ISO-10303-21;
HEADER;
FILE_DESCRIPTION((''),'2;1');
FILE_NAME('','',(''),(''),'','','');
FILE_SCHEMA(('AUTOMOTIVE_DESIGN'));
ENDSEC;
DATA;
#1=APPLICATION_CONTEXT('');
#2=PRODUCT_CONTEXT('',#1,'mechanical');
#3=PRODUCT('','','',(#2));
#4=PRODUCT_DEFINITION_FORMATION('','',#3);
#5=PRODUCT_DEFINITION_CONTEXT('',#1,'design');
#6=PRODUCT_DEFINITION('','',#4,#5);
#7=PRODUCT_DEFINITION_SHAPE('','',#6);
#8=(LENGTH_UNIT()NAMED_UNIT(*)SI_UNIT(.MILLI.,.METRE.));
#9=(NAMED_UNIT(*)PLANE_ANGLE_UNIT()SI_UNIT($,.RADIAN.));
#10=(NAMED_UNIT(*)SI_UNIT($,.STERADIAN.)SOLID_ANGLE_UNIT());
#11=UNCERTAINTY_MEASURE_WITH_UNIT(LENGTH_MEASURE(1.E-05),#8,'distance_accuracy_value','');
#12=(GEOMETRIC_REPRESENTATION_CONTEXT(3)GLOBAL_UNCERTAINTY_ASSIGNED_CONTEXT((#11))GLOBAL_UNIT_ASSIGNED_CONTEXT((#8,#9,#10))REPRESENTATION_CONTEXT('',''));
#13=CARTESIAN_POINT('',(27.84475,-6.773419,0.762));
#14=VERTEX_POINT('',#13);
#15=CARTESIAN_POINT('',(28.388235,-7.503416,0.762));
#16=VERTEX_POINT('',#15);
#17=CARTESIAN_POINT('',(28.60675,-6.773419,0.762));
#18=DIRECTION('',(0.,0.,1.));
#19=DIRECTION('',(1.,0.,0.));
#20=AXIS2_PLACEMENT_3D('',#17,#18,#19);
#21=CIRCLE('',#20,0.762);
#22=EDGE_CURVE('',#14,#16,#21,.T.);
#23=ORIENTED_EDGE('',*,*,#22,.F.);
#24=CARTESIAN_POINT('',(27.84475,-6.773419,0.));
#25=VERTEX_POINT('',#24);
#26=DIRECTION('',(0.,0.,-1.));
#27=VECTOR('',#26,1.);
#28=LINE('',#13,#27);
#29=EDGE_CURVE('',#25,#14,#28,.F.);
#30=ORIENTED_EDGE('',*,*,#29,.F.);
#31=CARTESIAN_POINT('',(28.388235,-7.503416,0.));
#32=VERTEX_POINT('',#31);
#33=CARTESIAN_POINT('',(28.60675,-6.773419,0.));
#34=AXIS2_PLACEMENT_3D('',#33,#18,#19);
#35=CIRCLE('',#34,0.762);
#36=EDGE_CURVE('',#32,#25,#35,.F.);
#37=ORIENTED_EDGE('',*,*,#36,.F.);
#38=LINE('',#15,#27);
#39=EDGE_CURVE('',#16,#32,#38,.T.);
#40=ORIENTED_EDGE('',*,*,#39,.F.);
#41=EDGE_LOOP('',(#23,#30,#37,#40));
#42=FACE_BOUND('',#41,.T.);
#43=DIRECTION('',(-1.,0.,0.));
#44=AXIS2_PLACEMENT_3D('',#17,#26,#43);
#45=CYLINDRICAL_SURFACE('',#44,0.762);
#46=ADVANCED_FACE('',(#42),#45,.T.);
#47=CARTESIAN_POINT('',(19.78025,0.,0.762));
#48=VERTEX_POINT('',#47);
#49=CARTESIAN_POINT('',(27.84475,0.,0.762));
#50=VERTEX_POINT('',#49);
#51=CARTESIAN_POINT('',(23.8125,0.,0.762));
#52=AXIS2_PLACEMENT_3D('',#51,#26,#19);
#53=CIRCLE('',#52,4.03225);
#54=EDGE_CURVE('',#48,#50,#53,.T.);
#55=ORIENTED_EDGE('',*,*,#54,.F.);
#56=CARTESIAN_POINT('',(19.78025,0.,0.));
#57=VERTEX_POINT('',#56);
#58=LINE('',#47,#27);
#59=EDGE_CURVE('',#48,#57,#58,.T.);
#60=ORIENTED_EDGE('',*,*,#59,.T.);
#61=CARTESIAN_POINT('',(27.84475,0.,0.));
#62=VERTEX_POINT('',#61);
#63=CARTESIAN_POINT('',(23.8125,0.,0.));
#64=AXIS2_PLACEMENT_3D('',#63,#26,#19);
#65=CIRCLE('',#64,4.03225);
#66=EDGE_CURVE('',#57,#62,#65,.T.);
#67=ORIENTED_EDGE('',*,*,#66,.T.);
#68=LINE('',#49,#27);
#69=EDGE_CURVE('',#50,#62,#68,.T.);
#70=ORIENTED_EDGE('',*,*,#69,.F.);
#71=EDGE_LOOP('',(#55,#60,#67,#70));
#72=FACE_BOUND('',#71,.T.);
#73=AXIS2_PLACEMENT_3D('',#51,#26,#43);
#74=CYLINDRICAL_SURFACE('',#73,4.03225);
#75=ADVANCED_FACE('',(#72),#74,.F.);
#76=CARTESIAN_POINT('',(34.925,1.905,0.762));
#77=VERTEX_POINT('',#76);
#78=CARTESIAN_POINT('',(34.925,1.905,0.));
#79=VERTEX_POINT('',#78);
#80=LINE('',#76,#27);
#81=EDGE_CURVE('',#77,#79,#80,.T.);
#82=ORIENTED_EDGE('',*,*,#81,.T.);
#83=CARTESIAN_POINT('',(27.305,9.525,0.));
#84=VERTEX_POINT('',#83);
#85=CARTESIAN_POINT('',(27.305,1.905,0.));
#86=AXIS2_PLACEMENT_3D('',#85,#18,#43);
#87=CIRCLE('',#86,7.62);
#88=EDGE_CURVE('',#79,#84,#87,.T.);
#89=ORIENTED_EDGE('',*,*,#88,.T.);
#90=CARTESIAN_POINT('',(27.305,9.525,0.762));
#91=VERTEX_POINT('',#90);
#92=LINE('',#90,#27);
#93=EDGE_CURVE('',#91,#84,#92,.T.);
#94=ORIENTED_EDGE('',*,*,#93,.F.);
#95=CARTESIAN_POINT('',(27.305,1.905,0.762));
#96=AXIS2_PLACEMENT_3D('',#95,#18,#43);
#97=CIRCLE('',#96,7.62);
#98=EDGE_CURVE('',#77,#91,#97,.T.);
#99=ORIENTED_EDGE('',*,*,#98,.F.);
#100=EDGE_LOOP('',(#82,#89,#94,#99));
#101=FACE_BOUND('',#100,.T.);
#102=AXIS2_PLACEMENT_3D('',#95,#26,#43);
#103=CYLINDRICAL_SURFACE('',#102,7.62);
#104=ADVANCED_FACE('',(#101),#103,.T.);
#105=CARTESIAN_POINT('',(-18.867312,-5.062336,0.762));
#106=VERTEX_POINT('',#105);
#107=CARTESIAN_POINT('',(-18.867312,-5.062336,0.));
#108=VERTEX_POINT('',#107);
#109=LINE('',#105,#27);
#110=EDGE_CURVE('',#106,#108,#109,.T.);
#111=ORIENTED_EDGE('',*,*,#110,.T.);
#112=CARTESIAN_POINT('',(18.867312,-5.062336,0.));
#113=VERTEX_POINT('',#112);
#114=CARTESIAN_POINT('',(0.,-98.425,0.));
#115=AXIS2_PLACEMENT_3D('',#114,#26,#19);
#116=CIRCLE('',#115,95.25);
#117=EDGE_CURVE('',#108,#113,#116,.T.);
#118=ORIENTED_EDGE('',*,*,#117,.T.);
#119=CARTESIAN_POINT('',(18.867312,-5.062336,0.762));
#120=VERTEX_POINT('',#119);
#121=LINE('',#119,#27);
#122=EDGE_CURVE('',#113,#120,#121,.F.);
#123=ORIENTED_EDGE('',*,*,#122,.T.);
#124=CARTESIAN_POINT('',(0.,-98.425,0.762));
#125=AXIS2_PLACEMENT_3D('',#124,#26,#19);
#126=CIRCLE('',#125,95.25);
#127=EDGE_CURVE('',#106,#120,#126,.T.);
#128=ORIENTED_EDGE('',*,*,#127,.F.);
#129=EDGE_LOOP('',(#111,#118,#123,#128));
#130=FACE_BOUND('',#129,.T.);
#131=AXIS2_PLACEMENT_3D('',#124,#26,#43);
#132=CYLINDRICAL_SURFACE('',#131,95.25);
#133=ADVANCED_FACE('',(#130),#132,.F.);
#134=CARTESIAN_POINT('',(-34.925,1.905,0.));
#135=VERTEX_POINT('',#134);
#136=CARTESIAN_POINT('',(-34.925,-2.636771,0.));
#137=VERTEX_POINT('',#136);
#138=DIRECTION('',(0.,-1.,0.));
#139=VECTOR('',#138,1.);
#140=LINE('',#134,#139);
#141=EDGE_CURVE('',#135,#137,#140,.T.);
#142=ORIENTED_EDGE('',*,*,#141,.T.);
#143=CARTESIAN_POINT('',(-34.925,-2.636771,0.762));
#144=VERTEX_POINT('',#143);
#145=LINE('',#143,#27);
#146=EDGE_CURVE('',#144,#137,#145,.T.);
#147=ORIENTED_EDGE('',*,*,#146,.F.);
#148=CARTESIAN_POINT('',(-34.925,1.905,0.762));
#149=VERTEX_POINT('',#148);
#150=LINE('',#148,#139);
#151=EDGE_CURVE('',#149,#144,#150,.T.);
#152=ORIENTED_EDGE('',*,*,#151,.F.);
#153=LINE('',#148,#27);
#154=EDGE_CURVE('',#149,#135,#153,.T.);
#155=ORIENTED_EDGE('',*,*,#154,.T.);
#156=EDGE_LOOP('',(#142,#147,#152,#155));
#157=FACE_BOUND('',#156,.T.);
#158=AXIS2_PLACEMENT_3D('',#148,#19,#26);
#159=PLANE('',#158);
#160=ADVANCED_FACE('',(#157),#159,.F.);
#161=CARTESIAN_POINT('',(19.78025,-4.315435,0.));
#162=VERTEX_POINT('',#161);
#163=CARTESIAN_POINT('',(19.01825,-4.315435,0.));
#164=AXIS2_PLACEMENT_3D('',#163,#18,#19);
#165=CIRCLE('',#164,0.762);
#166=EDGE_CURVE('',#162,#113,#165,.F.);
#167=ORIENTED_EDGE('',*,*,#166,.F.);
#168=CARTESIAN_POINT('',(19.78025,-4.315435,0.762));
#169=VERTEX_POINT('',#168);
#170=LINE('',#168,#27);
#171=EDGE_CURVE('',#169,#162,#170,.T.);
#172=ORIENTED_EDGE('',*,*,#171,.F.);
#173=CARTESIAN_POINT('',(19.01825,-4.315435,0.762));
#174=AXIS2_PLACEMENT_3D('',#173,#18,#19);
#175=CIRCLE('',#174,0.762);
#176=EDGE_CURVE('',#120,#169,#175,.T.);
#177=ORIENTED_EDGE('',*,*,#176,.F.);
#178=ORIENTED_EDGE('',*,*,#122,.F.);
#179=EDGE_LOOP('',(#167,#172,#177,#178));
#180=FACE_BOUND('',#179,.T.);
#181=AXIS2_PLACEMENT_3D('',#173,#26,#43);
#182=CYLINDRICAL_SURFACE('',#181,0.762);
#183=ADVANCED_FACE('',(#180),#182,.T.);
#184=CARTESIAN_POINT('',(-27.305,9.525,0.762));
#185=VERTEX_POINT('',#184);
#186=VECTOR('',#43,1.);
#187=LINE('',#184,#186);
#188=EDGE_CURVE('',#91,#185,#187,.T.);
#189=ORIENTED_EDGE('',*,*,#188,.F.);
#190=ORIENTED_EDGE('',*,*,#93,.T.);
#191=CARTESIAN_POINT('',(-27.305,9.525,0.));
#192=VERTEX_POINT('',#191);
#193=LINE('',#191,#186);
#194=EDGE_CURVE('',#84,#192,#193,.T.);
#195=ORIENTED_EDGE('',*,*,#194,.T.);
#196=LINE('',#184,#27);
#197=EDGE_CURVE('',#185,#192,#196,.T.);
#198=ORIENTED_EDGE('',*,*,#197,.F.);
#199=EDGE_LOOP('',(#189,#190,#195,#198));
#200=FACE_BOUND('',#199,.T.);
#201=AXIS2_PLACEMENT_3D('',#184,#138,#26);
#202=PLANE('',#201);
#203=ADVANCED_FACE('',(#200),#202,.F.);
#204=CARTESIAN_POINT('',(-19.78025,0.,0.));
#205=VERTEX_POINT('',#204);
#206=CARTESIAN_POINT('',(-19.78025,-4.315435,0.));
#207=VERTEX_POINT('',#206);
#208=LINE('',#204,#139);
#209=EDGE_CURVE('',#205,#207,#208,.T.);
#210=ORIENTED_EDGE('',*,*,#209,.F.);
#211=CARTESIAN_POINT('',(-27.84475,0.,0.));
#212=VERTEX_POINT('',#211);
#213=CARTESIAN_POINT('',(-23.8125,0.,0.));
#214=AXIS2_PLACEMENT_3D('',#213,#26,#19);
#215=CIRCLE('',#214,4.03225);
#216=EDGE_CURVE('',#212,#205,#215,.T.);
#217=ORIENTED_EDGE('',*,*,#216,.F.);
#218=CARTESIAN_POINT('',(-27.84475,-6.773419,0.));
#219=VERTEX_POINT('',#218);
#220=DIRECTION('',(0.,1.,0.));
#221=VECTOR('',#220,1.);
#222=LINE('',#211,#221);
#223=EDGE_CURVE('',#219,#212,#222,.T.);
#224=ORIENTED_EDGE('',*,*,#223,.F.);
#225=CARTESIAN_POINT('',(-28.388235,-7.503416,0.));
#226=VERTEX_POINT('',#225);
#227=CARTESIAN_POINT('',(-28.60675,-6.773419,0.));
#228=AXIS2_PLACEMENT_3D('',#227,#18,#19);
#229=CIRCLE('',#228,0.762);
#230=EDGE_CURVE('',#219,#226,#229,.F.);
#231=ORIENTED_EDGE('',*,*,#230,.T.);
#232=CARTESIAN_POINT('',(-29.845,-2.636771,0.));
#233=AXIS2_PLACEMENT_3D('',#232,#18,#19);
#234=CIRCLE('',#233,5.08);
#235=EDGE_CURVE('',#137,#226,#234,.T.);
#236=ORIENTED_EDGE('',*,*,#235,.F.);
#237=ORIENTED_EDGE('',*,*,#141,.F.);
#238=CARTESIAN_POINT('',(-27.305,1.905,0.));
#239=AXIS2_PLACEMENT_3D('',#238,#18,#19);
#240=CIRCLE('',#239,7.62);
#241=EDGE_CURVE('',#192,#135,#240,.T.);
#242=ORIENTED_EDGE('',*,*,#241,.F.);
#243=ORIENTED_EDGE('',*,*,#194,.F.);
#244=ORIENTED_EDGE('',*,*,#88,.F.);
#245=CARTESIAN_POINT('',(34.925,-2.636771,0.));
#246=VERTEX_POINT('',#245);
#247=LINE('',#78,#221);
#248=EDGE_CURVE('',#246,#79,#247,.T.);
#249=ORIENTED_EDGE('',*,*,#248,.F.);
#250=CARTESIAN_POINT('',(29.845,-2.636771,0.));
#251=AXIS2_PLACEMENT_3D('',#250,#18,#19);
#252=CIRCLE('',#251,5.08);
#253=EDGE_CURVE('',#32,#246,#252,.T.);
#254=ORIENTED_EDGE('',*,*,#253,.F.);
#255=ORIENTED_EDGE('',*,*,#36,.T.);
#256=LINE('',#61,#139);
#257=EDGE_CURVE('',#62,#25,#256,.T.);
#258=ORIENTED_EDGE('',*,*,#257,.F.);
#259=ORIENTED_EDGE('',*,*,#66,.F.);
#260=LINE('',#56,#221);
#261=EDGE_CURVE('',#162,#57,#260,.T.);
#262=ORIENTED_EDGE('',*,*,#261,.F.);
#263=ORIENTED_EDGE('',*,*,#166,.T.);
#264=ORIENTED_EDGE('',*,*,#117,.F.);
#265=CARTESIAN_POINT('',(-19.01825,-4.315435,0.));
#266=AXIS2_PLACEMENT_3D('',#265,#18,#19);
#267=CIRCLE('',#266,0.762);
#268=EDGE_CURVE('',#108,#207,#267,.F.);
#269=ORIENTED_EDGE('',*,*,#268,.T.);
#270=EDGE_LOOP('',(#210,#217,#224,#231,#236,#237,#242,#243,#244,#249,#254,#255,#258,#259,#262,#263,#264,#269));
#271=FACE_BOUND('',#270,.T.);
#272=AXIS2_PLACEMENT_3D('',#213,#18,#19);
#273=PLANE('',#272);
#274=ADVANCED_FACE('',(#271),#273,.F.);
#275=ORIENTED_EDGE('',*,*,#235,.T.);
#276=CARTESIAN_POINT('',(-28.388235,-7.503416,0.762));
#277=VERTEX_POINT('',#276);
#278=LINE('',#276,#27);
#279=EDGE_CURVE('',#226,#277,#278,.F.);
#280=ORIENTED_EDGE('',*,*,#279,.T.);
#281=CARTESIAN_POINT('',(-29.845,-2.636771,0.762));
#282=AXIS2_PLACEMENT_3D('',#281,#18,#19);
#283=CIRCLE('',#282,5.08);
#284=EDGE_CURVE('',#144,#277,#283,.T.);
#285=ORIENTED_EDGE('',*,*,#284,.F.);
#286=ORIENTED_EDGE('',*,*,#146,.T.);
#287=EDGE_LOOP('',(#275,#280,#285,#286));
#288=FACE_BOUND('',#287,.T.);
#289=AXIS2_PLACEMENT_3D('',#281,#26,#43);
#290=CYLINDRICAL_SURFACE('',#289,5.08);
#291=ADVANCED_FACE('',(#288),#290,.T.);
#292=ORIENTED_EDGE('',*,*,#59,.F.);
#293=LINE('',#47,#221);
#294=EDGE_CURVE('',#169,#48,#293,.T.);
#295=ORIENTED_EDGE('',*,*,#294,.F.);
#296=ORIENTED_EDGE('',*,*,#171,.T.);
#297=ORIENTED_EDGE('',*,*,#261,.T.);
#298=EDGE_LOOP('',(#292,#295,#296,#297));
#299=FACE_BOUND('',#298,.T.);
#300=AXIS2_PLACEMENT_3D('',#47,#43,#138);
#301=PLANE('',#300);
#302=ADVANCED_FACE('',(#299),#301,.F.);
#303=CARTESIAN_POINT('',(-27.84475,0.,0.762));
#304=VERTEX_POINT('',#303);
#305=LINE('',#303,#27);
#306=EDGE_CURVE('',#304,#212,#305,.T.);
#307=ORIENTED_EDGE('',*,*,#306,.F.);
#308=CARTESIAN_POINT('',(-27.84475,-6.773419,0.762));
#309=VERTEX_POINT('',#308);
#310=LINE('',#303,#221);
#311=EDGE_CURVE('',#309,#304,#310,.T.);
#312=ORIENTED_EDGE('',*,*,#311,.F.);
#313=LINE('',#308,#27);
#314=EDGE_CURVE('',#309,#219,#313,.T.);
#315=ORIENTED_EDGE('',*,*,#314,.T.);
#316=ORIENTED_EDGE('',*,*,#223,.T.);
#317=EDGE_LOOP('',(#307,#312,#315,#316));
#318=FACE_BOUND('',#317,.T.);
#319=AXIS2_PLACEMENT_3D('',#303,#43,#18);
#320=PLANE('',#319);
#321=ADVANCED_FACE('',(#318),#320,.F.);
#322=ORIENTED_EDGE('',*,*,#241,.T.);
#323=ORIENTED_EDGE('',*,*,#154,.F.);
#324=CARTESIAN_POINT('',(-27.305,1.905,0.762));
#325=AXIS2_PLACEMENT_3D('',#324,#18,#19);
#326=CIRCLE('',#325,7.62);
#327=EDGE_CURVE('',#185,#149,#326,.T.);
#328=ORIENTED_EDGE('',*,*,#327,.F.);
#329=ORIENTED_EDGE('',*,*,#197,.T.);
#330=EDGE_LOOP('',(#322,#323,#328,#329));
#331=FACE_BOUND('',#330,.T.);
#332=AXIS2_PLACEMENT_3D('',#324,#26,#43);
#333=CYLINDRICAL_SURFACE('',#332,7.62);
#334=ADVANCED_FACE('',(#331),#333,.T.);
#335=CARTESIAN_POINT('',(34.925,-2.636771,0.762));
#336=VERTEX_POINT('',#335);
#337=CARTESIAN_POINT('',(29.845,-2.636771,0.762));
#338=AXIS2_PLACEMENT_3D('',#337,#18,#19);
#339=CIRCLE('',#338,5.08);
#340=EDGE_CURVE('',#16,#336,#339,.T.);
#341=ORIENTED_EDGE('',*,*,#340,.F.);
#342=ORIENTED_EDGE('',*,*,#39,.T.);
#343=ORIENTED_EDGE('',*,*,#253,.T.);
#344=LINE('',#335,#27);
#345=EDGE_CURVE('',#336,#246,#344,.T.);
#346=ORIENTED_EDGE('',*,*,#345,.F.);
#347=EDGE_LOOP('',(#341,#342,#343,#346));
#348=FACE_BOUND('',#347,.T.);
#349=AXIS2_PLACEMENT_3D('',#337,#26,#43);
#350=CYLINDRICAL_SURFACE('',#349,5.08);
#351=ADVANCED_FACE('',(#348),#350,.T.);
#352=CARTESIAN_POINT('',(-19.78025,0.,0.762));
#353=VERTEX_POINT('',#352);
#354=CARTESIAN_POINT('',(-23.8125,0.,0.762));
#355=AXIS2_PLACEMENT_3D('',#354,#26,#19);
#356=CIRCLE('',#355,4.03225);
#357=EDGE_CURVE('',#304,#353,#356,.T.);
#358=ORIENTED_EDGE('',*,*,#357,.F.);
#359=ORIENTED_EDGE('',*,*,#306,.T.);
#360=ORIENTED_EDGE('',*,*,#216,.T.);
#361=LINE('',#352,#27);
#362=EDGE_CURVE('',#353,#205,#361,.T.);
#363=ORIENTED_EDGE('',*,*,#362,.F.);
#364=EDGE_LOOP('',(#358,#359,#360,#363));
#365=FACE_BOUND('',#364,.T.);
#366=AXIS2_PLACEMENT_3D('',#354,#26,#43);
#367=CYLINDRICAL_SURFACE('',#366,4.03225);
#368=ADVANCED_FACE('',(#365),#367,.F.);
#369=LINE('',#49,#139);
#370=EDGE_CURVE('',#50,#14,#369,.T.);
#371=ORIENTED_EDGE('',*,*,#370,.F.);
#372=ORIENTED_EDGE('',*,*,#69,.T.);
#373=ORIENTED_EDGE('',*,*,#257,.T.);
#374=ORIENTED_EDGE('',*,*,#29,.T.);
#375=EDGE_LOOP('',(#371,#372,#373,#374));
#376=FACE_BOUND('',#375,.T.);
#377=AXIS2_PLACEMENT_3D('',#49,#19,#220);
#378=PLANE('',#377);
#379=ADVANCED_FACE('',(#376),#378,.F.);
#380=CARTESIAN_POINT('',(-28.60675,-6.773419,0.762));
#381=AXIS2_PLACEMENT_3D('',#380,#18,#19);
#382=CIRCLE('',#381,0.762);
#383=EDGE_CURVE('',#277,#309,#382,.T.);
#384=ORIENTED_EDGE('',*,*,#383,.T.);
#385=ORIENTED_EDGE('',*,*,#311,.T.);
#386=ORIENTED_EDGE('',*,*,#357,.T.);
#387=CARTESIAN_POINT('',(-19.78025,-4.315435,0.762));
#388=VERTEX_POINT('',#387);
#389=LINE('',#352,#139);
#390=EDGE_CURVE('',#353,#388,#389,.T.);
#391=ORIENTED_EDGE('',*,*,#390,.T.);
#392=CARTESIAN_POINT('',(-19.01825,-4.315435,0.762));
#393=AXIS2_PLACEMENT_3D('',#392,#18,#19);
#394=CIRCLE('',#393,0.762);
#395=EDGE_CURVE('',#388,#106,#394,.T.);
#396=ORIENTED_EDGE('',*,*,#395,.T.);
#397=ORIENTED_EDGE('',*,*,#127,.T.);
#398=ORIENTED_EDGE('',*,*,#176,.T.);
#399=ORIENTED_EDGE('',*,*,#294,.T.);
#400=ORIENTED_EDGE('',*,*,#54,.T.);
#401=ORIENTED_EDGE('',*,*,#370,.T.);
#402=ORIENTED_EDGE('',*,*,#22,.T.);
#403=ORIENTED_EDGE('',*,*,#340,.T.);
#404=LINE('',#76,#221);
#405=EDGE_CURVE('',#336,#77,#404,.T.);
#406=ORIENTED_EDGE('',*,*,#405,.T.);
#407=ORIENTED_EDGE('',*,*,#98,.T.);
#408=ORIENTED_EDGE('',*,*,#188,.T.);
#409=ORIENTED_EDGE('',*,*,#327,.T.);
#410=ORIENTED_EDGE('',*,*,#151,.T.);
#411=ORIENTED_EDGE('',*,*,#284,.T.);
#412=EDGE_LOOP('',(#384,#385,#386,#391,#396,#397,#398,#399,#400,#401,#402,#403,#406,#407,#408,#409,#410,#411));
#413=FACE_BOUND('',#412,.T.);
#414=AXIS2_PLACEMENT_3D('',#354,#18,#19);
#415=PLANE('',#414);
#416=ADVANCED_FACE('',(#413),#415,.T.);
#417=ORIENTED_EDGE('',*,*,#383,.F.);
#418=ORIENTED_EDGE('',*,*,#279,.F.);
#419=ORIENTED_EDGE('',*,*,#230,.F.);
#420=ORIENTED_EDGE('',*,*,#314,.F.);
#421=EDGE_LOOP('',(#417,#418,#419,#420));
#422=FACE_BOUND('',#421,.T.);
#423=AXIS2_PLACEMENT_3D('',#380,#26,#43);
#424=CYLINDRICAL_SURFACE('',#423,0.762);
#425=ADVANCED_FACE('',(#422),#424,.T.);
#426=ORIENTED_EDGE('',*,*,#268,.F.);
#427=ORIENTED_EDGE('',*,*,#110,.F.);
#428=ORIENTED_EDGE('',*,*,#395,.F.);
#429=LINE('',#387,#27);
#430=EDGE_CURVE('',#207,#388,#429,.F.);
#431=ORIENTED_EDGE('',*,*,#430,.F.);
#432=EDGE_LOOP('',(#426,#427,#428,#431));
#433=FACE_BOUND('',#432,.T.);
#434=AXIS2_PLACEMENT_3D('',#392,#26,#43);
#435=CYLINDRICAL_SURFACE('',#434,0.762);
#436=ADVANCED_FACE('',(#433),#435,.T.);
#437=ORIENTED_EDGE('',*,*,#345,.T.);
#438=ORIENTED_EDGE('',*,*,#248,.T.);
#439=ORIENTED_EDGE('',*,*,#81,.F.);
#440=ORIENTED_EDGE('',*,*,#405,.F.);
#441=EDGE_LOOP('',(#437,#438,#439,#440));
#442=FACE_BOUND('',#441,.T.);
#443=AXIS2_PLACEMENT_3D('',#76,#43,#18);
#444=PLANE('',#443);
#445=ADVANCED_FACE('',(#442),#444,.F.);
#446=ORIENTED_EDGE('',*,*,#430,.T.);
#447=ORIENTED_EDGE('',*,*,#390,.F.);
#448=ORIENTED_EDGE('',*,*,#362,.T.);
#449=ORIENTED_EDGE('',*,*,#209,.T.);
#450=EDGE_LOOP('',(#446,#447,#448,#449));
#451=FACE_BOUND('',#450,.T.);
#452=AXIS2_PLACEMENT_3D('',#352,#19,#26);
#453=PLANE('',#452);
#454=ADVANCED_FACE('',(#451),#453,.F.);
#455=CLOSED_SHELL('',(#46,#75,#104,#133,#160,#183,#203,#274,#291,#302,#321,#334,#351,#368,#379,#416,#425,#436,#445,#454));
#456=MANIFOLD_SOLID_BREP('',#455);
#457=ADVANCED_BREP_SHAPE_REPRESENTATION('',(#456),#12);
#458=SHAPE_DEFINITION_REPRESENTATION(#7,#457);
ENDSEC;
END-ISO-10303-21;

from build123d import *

# Parameters (mm, degrees)
BOSS_EXTRUDE1_DEPTH = 0.762
FILLET1_R           = 0.762


with BuildPart() as part:
    # Sketch1 → Boss-Extrude1 (new body)
    with BuildSketch(Plane.XY):
        with BuildLine():
            Line((-27.305, 9.525), (27.305, 9.525))
            ThreePointArc((27.305, 9.525), (32.693153673, 7.293153673), (34.925, 1.905))
            Line((34.925, 1.905), (34.925, -2.636770687))
            ThreePointArc((34.925, -2.636770687), (32.855798288, -6.728407727), (28.333860759, -7.486807614))
            ThreePointArc((28.333860759, -7.486807614), (28.089406783, -7.411002579), (27.84475, -7.335854667))
            Line((27.84475, -7.335854667), (27.84475, 0))
            ThreePointArc((27.84475, 0), (23.8125, 4.03225), (19.78025, 0))
            Line((19.78025, 0), (19.78025, -5.251483323))
            ThreePointArc((19.78025, -5.251483323), (0, -3.175), (-19.78025, -5.251483323))
            Line((-19.78025, -5.251483323), (-19.78025, 0))
            ThreePointArc((-19.78025, 0), (-23.8125, 4.03225), (-27.84475, 0))
            Line((-27.84475, 0), (-27.84475, -7.335854667))
            ThreePointArc((-27.84475, -7.335854667), (-28.089406783, -7.411002579), (-28.333860759, -7.486807614))
            ThreePointArc((-28.333860759, -7.486807614), (-32.855798288, -6.728407727), (-34.925, -2.636770687))
            Line((-34.925, -2.636770687), (-34.925, 1.905))
            ThreePointArc((-34.925, 1.905), (-32.693153673, 7.293153673), (-27.305, 9.525))
        make_face()
    extrude(amount=BOSS_EXTRUDE1_DEPTH)

    # Fillet1
    fillet1_edges = [part.edges().sort_by_distance(p)[0] for p in [
        (27.84475, -7.335854667, 0.381),
        (19.78025, -5.251483323, 0.381),
        (-19.78025, -5.251483323, 0.381),
        (-27.84475, -7.335854667, 0.381),
    ]]
    fillet(fillet1_edges, radius=FILLET1_R)


solid = part.part
